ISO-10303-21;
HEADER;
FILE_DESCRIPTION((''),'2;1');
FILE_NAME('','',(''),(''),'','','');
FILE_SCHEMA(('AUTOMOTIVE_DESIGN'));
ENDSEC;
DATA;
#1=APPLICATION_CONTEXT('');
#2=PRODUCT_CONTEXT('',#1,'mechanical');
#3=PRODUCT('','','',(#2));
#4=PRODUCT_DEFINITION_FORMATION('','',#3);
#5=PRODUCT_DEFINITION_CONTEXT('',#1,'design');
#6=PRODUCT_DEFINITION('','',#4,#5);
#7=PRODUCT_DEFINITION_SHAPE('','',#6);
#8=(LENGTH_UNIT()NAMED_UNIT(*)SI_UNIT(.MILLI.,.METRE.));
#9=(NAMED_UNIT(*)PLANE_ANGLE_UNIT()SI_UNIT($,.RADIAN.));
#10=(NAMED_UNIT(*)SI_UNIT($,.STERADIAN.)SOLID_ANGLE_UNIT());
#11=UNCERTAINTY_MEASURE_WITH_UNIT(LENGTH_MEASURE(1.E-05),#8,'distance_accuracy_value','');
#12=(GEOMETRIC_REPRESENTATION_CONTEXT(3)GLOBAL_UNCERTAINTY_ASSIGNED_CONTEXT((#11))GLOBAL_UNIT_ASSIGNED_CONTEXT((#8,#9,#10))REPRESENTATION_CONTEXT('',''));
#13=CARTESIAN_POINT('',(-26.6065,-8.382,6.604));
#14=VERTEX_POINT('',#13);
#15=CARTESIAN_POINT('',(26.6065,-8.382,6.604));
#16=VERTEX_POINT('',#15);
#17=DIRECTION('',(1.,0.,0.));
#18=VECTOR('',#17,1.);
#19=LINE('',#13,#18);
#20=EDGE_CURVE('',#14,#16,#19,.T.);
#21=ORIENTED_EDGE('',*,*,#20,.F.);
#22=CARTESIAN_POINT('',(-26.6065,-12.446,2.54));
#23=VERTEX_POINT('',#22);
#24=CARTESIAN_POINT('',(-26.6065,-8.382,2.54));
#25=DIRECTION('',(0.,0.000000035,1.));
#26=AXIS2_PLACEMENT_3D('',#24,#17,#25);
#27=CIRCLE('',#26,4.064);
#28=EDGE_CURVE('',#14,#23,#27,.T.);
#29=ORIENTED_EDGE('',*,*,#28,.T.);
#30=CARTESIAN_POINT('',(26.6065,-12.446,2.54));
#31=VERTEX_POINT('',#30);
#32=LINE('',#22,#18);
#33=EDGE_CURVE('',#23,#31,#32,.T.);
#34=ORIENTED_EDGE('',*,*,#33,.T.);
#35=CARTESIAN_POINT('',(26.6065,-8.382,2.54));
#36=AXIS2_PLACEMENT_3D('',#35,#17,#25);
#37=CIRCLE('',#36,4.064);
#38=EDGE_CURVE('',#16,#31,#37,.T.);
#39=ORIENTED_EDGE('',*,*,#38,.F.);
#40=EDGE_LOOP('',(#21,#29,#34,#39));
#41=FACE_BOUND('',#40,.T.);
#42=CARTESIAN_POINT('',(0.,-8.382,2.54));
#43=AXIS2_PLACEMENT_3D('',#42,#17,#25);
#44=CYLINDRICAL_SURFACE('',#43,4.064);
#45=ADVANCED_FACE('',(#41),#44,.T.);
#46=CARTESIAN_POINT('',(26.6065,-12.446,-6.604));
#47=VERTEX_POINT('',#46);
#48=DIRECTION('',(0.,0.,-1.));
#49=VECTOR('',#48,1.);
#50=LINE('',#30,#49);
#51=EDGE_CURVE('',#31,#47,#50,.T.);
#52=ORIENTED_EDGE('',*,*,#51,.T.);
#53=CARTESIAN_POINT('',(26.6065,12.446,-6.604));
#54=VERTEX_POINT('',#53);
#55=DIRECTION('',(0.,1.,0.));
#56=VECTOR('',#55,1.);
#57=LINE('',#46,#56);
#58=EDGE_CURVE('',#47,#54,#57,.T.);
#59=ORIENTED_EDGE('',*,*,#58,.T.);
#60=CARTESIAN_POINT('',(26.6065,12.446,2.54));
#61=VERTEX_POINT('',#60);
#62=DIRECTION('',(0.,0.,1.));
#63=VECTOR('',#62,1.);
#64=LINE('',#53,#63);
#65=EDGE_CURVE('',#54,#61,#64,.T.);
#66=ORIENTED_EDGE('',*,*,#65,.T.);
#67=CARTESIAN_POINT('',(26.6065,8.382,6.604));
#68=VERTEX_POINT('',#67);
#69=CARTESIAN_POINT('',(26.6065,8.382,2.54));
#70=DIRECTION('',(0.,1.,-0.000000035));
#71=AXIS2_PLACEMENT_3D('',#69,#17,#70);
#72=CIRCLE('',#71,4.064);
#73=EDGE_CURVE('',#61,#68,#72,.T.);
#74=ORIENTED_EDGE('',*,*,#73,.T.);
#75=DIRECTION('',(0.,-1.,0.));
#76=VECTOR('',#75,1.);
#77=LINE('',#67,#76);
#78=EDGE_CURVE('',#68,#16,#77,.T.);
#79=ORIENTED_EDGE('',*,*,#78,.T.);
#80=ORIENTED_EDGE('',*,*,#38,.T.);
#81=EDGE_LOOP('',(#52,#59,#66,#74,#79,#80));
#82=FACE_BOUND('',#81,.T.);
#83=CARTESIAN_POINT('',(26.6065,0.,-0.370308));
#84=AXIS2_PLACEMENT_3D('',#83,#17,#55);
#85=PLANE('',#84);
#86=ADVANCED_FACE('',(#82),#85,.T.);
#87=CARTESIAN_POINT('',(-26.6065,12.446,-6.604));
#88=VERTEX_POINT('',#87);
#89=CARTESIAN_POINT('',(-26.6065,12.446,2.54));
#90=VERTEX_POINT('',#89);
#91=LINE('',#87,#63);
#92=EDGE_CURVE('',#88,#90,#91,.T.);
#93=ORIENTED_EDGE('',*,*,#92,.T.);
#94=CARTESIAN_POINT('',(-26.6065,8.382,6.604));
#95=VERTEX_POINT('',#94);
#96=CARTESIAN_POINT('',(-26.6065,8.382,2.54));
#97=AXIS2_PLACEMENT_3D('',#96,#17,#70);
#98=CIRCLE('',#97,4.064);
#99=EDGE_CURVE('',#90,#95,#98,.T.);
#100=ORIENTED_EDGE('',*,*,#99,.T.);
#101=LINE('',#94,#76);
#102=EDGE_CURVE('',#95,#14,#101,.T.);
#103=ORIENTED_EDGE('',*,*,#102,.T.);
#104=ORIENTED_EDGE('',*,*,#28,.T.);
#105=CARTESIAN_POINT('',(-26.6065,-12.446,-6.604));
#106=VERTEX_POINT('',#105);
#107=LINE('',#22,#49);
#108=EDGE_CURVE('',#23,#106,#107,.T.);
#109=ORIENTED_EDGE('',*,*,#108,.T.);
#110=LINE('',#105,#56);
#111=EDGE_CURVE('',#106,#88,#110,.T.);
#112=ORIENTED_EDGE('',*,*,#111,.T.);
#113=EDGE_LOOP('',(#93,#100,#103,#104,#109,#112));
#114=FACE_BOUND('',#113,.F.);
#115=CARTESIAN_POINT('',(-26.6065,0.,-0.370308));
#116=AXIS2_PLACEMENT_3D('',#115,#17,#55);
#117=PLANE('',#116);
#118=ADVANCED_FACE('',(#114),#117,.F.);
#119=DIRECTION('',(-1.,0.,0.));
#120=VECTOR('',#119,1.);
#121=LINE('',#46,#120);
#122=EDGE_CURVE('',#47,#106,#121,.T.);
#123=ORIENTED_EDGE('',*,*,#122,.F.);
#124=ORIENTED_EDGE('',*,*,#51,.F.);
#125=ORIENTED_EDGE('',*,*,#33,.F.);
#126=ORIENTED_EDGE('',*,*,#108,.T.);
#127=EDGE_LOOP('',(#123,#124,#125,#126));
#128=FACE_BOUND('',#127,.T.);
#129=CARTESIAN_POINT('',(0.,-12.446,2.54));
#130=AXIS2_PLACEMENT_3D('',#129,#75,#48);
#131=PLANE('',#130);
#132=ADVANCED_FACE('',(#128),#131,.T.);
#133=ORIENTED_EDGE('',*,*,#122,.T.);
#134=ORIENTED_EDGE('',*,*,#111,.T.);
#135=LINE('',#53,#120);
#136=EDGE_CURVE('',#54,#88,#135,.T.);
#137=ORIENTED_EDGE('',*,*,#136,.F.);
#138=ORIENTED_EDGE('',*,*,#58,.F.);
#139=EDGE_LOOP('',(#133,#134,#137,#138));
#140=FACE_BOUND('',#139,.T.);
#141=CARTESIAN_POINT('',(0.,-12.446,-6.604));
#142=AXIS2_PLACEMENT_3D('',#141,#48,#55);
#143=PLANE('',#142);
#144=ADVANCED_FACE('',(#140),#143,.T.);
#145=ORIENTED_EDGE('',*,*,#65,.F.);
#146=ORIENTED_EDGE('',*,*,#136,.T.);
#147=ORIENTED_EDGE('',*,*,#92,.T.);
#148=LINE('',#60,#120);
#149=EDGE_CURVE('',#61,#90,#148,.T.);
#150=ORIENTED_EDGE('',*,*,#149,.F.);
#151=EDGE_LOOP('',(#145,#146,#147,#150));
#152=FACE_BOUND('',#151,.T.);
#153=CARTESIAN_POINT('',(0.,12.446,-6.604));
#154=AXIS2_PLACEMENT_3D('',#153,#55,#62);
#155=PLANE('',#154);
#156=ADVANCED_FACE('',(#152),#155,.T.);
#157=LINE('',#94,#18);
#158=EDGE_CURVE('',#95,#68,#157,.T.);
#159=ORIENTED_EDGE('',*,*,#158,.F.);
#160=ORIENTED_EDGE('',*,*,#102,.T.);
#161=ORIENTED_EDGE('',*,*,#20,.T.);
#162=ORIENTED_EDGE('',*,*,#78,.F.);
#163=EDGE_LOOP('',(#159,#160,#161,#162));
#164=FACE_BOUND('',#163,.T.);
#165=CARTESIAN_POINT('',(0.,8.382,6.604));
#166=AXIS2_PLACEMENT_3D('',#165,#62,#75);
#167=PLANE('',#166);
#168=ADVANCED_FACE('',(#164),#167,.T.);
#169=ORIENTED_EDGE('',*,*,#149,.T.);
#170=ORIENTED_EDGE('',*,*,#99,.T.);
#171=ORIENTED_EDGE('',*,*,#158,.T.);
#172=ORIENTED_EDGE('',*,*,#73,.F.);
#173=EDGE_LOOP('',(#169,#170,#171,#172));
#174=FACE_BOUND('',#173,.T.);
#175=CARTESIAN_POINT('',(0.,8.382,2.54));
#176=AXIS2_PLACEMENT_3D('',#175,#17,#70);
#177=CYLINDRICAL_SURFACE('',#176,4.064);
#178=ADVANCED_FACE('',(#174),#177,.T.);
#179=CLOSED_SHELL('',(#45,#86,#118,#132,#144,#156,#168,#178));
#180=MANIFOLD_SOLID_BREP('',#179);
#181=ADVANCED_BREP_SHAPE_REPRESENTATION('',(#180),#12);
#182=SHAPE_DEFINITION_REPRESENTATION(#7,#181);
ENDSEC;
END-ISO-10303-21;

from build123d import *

# Parameters (mm, degrees)
F1_DEPTH = 26.6065


with BuildPart() as f1:
    # F0 (on Right) → F1 (new body, symmetric)
    with BuildSketch(Plane.YZ):
        with BuildLine():
            ThreePointArc((12.446, 2.54), (11.255682, 5.413682), (8.382, 6.604))
            Line((8.382, 6.604), (-8.382, 6.604))
            ThreePointArc((-8.382, 6.604), (-11.255682, 5.413682), (-12.446, 2.54))
            Line((-12.446, 2.54), (-12.446, -6.604))
            Line((-12.446, -6.604), (12.446, -6.604))
            Line((12.446, -6.604), (12.446, 2.54))
        make_face()
    extrude(amount=F1_DEPTH, both=True)


solid = f1.part
